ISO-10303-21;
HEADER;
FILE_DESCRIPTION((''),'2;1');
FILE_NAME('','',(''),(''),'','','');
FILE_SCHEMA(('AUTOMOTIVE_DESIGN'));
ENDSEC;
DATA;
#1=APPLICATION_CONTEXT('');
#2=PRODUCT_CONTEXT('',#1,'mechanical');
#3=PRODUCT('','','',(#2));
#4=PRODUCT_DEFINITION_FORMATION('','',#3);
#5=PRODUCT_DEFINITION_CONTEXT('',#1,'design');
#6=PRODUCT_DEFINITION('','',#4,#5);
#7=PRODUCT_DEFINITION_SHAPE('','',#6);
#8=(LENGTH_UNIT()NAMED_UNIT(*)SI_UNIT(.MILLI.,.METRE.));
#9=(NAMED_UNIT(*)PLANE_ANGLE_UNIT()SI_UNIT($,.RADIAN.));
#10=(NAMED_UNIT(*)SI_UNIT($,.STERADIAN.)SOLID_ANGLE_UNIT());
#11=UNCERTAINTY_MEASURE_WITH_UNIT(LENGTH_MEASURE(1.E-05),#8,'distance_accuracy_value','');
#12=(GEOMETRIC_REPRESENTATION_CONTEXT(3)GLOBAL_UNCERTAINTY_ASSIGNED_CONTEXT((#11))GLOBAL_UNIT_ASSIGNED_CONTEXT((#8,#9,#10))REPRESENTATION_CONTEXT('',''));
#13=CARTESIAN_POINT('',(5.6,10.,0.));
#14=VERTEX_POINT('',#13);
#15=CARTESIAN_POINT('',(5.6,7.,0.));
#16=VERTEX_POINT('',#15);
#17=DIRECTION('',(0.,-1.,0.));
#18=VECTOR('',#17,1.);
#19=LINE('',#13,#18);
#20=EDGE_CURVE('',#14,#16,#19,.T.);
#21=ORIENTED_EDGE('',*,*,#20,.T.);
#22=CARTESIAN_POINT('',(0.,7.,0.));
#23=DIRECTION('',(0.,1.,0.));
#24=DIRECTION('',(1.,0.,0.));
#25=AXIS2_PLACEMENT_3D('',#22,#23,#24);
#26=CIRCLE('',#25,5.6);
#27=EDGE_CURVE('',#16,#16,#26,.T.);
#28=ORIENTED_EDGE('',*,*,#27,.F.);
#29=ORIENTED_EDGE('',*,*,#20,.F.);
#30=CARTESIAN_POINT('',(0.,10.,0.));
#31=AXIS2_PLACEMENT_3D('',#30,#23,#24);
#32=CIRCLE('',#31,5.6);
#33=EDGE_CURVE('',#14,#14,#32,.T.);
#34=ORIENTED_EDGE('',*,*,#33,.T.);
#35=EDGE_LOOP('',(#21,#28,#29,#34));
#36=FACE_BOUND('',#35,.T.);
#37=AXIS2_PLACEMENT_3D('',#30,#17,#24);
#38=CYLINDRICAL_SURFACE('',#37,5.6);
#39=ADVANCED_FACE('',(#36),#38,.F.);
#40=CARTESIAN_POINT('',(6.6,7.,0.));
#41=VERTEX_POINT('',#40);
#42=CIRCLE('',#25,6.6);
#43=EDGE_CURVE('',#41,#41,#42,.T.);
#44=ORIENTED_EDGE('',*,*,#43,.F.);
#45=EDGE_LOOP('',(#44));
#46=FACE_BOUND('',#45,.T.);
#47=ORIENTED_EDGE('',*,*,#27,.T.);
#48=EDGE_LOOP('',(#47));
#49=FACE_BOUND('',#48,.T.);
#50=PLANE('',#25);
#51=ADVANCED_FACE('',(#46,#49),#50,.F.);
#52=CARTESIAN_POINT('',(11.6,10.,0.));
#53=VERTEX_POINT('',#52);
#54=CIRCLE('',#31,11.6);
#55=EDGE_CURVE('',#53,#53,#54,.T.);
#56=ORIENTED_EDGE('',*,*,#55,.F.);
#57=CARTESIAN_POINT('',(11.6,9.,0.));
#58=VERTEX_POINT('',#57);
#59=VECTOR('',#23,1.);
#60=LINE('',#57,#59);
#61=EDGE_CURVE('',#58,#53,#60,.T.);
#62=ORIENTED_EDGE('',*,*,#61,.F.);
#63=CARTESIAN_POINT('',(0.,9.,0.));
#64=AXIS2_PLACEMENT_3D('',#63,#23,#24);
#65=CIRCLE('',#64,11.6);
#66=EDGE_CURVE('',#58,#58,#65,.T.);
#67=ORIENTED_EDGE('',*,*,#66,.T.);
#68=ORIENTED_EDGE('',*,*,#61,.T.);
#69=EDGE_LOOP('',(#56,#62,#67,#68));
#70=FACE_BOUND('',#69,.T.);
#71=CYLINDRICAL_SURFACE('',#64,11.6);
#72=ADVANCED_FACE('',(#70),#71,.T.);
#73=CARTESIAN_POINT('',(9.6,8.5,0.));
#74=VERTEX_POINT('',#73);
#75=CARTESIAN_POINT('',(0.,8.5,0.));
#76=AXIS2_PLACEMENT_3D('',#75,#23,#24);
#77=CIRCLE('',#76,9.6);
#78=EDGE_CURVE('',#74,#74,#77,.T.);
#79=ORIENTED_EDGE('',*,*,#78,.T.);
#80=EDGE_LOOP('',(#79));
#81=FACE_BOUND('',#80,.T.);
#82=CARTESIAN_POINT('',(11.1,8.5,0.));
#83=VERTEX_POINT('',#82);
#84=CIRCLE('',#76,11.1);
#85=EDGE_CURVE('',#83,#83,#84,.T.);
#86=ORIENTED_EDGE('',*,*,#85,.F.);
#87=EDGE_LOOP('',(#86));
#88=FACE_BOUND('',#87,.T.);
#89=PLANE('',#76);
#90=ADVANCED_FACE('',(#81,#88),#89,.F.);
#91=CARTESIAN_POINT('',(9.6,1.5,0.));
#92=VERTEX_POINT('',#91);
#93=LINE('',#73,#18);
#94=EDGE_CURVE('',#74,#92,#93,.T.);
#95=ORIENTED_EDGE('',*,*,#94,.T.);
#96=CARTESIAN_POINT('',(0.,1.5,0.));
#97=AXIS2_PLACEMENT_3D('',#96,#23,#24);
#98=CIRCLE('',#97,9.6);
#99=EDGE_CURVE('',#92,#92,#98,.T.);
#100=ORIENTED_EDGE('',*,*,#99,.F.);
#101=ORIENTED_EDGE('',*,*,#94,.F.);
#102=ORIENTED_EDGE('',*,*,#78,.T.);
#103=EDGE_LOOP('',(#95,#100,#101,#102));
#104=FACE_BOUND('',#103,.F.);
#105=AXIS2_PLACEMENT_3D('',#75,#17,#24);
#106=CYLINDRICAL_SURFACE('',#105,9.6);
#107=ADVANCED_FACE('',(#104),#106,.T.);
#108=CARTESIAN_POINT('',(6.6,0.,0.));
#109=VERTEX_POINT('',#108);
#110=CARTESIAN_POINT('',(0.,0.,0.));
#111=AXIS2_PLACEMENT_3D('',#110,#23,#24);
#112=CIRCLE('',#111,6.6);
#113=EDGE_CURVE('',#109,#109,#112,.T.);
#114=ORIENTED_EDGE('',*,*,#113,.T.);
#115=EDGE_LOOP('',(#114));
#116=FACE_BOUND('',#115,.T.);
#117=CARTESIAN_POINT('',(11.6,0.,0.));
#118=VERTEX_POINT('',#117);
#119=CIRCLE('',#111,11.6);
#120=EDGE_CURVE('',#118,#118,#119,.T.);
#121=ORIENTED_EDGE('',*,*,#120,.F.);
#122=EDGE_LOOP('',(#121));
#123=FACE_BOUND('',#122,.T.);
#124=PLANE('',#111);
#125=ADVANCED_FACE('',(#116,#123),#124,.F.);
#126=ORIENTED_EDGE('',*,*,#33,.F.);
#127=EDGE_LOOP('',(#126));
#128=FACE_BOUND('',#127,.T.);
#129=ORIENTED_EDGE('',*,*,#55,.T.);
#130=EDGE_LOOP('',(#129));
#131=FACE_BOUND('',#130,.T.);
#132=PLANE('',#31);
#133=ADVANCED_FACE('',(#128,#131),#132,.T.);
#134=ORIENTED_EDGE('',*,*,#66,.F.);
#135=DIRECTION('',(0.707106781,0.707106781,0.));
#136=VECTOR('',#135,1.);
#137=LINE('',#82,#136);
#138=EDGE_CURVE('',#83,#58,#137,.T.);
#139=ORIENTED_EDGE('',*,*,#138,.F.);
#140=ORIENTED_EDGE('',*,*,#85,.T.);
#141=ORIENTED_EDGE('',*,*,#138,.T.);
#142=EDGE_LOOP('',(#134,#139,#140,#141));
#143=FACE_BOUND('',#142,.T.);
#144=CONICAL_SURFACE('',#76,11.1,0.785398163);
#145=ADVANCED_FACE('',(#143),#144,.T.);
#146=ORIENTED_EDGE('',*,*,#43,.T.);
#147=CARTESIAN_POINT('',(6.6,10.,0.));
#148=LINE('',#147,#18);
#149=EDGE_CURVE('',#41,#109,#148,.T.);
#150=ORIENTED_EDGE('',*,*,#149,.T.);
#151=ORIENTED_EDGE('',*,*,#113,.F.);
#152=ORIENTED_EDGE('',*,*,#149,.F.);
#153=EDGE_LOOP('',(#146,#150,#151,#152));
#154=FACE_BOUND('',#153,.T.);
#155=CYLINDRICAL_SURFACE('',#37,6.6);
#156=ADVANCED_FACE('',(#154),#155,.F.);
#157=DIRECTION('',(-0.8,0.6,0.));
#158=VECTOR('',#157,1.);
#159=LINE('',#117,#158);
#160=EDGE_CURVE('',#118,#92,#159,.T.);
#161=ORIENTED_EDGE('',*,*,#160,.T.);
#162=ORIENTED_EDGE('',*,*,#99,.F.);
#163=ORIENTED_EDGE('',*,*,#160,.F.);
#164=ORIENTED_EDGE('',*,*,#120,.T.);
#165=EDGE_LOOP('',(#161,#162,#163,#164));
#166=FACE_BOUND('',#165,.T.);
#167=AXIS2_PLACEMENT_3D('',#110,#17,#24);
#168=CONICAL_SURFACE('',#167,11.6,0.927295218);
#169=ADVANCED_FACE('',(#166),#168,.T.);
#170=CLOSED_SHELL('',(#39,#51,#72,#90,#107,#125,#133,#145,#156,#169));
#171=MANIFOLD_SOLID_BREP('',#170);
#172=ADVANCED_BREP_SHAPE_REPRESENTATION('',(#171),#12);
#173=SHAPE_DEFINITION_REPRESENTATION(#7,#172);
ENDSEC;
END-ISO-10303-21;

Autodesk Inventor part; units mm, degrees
ref_plane "YZ Plane" through (0, 0, 0) normal (1, 0, 0) x (0, 1, 0)
ref_plane "XZ Plane" through (0, 0, 0) normal (0, 1, 0) x (-1, 0, 0)
ref_plane "XY Plane" through (0, 0, 0) normal (0, 0, 1) x (1, 0, 0)
sketch "Sketch1" plane through (0, 0, 0) normal (0, 0, 1) x (1, 0, 0)
  line L0 (6.6, 0) -> (11.6, 0)
  line L1 (11.6, 0) -> (11.6, 10) construction
  line L2 (11.6, 10) -> (6.6, 10)
  line L3 (6.6, 10) -> (6.6, 0)
  line L4 (0, 0) -> (0, 8.5122) construction
  line L5 (9.6, 8.5) -> (9.6, 1.5)
  line L6 (9.6, 8.5) -> (11.1, 8.5)
  line L7 (11.1, 8.5) -> (11.6, 9)
  line L8 (11.6, 0) -> (9.6, 1.5)
  line L9 (11.6, 9) -> (11.6, 10)
  line L10 (6.6, 10) -> (5.6, 10)
  line L11 (5.6, 10) -> (5.6, 7)
  line L12 (5.6, 7) -> (6.6, 7)
  line L13 (6.6, 7) -> (6.6, 10)
  point P0 (11.6, 0.6699)
  point P1 (11.6, 5)
  point P2 (15.2143, 7.5754)
  point P3 (15.2143, 2.4246)
  point P4 (9.6, 5)
  point P5 (17.7886, 0.302)
  point P6 (6.6, 5)
  dimension "d6" = 10
  dimension "d7" = 6.6
  dimension "d14" = 5
  dimension "d17" = 7
  dimension "d18" = 1.5
  dimension "d19" = 135
  dimension "d20" = 2
  dimension "d21" = 1
  dimension "d22" = 3
revolve "Revolution1" add sketch "Sketch1" angle 360 about axis through (0, 0, 0) along (0, 1, 0)
properties part number "pully10mmx20mmx12mm"
